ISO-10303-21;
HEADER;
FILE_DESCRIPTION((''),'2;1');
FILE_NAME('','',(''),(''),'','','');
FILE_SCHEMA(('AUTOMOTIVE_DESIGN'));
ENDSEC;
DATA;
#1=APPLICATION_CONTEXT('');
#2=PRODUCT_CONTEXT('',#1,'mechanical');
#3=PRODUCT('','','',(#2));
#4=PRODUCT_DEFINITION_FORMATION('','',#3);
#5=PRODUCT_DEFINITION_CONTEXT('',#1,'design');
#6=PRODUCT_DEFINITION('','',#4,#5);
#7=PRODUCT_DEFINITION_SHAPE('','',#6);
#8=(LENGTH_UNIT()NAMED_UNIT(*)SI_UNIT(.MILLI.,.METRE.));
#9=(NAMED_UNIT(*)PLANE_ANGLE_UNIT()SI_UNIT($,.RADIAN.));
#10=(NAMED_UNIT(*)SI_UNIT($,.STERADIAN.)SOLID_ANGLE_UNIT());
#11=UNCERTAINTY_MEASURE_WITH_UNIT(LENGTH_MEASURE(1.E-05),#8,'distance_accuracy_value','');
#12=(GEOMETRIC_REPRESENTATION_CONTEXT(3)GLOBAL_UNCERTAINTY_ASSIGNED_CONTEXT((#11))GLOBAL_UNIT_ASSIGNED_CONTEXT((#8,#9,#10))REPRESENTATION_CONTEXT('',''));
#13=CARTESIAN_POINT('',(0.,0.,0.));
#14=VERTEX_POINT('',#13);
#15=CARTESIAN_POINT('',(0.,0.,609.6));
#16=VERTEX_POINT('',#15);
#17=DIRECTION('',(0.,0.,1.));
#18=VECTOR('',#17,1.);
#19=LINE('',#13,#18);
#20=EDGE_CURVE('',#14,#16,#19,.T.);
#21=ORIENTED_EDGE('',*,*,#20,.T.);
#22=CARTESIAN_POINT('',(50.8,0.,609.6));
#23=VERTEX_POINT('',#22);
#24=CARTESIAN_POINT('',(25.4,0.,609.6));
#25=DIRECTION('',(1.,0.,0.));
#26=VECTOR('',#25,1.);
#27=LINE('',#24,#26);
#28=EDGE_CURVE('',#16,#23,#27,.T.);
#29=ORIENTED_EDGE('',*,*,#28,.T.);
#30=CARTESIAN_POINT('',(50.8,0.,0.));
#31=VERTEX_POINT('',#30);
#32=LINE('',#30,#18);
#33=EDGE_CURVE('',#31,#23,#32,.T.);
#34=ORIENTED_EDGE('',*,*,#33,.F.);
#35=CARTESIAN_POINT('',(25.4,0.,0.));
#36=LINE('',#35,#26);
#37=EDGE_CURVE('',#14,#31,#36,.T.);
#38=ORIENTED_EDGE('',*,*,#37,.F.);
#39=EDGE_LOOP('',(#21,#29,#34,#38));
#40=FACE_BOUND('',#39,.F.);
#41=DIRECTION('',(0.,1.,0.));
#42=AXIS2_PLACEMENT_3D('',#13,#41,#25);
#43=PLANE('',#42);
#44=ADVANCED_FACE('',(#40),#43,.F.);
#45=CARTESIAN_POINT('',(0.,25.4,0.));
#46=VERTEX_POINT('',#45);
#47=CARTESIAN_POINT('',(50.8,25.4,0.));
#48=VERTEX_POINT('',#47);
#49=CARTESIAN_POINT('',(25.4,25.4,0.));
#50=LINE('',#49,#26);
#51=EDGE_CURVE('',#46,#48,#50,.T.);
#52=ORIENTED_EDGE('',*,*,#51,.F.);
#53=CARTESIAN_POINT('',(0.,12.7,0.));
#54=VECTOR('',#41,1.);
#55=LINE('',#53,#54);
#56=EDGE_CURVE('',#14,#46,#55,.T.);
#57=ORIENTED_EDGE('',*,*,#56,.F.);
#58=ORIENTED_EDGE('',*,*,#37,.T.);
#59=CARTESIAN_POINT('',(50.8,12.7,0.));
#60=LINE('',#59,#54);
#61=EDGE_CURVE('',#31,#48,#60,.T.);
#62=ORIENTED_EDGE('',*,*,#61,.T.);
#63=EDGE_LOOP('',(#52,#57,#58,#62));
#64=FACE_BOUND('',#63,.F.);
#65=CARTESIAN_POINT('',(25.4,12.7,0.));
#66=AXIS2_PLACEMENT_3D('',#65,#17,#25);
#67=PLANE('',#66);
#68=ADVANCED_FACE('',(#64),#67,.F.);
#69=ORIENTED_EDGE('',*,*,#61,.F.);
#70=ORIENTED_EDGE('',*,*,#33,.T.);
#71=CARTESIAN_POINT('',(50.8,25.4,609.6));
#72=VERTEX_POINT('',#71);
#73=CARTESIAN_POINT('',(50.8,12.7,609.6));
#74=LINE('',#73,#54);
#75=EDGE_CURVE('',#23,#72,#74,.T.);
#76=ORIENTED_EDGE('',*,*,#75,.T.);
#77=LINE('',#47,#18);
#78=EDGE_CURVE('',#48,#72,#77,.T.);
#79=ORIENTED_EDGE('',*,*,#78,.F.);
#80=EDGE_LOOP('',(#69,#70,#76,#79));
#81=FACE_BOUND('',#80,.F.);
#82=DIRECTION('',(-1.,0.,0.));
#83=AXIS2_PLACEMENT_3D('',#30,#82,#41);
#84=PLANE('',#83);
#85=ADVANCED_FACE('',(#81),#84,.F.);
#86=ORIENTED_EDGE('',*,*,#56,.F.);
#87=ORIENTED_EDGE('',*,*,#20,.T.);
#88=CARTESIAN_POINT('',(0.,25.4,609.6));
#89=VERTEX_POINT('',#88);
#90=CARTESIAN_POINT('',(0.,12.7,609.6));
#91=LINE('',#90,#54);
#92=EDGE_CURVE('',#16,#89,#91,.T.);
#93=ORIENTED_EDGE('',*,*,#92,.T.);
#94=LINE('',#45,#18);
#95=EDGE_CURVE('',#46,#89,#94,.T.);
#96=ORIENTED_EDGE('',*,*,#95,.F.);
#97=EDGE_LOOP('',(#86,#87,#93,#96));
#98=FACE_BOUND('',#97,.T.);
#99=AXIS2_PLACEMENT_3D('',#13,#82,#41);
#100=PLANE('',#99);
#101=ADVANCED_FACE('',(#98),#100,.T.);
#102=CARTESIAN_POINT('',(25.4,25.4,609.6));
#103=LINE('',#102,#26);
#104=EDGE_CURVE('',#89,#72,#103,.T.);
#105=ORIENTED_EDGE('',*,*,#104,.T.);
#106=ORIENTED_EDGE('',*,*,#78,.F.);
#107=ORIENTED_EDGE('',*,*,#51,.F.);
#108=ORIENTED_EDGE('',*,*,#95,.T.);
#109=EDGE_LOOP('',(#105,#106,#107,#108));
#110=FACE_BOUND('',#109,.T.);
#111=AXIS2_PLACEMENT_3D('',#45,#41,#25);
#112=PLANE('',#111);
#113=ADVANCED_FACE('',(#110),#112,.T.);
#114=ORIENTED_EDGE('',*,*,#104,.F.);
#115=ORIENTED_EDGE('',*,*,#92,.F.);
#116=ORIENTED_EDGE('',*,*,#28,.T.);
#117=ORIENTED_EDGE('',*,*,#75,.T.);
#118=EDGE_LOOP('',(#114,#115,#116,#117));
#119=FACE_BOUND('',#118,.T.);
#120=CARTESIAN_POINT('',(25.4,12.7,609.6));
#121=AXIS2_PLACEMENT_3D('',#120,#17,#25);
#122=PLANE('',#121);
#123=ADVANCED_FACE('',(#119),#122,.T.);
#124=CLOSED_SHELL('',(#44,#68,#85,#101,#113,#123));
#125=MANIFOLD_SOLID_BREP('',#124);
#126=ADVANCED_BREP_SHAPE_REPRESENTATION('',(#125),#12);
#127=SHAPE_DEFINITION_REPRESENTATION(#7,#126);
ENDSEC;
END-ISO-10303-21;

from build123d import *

# Parameters (mm, degrees)
SKETCH1_W           = 50.8
SKETCH1_H           = 25.4
BOSS_EXTRUDE1_DEPTH = 609.6


with BuildPart() as part:
    # Sketch1 → Boss-Extrude1 (new body)
    with BuildSketch(Plane.XY):
        with Locations((25.4, 12.7)):
            Rectangle(SKETCH1_W, SKETCH1_H)
    extrude(amount=BOSS_EXTRUDE1_DEPTH)


solid = part.part
